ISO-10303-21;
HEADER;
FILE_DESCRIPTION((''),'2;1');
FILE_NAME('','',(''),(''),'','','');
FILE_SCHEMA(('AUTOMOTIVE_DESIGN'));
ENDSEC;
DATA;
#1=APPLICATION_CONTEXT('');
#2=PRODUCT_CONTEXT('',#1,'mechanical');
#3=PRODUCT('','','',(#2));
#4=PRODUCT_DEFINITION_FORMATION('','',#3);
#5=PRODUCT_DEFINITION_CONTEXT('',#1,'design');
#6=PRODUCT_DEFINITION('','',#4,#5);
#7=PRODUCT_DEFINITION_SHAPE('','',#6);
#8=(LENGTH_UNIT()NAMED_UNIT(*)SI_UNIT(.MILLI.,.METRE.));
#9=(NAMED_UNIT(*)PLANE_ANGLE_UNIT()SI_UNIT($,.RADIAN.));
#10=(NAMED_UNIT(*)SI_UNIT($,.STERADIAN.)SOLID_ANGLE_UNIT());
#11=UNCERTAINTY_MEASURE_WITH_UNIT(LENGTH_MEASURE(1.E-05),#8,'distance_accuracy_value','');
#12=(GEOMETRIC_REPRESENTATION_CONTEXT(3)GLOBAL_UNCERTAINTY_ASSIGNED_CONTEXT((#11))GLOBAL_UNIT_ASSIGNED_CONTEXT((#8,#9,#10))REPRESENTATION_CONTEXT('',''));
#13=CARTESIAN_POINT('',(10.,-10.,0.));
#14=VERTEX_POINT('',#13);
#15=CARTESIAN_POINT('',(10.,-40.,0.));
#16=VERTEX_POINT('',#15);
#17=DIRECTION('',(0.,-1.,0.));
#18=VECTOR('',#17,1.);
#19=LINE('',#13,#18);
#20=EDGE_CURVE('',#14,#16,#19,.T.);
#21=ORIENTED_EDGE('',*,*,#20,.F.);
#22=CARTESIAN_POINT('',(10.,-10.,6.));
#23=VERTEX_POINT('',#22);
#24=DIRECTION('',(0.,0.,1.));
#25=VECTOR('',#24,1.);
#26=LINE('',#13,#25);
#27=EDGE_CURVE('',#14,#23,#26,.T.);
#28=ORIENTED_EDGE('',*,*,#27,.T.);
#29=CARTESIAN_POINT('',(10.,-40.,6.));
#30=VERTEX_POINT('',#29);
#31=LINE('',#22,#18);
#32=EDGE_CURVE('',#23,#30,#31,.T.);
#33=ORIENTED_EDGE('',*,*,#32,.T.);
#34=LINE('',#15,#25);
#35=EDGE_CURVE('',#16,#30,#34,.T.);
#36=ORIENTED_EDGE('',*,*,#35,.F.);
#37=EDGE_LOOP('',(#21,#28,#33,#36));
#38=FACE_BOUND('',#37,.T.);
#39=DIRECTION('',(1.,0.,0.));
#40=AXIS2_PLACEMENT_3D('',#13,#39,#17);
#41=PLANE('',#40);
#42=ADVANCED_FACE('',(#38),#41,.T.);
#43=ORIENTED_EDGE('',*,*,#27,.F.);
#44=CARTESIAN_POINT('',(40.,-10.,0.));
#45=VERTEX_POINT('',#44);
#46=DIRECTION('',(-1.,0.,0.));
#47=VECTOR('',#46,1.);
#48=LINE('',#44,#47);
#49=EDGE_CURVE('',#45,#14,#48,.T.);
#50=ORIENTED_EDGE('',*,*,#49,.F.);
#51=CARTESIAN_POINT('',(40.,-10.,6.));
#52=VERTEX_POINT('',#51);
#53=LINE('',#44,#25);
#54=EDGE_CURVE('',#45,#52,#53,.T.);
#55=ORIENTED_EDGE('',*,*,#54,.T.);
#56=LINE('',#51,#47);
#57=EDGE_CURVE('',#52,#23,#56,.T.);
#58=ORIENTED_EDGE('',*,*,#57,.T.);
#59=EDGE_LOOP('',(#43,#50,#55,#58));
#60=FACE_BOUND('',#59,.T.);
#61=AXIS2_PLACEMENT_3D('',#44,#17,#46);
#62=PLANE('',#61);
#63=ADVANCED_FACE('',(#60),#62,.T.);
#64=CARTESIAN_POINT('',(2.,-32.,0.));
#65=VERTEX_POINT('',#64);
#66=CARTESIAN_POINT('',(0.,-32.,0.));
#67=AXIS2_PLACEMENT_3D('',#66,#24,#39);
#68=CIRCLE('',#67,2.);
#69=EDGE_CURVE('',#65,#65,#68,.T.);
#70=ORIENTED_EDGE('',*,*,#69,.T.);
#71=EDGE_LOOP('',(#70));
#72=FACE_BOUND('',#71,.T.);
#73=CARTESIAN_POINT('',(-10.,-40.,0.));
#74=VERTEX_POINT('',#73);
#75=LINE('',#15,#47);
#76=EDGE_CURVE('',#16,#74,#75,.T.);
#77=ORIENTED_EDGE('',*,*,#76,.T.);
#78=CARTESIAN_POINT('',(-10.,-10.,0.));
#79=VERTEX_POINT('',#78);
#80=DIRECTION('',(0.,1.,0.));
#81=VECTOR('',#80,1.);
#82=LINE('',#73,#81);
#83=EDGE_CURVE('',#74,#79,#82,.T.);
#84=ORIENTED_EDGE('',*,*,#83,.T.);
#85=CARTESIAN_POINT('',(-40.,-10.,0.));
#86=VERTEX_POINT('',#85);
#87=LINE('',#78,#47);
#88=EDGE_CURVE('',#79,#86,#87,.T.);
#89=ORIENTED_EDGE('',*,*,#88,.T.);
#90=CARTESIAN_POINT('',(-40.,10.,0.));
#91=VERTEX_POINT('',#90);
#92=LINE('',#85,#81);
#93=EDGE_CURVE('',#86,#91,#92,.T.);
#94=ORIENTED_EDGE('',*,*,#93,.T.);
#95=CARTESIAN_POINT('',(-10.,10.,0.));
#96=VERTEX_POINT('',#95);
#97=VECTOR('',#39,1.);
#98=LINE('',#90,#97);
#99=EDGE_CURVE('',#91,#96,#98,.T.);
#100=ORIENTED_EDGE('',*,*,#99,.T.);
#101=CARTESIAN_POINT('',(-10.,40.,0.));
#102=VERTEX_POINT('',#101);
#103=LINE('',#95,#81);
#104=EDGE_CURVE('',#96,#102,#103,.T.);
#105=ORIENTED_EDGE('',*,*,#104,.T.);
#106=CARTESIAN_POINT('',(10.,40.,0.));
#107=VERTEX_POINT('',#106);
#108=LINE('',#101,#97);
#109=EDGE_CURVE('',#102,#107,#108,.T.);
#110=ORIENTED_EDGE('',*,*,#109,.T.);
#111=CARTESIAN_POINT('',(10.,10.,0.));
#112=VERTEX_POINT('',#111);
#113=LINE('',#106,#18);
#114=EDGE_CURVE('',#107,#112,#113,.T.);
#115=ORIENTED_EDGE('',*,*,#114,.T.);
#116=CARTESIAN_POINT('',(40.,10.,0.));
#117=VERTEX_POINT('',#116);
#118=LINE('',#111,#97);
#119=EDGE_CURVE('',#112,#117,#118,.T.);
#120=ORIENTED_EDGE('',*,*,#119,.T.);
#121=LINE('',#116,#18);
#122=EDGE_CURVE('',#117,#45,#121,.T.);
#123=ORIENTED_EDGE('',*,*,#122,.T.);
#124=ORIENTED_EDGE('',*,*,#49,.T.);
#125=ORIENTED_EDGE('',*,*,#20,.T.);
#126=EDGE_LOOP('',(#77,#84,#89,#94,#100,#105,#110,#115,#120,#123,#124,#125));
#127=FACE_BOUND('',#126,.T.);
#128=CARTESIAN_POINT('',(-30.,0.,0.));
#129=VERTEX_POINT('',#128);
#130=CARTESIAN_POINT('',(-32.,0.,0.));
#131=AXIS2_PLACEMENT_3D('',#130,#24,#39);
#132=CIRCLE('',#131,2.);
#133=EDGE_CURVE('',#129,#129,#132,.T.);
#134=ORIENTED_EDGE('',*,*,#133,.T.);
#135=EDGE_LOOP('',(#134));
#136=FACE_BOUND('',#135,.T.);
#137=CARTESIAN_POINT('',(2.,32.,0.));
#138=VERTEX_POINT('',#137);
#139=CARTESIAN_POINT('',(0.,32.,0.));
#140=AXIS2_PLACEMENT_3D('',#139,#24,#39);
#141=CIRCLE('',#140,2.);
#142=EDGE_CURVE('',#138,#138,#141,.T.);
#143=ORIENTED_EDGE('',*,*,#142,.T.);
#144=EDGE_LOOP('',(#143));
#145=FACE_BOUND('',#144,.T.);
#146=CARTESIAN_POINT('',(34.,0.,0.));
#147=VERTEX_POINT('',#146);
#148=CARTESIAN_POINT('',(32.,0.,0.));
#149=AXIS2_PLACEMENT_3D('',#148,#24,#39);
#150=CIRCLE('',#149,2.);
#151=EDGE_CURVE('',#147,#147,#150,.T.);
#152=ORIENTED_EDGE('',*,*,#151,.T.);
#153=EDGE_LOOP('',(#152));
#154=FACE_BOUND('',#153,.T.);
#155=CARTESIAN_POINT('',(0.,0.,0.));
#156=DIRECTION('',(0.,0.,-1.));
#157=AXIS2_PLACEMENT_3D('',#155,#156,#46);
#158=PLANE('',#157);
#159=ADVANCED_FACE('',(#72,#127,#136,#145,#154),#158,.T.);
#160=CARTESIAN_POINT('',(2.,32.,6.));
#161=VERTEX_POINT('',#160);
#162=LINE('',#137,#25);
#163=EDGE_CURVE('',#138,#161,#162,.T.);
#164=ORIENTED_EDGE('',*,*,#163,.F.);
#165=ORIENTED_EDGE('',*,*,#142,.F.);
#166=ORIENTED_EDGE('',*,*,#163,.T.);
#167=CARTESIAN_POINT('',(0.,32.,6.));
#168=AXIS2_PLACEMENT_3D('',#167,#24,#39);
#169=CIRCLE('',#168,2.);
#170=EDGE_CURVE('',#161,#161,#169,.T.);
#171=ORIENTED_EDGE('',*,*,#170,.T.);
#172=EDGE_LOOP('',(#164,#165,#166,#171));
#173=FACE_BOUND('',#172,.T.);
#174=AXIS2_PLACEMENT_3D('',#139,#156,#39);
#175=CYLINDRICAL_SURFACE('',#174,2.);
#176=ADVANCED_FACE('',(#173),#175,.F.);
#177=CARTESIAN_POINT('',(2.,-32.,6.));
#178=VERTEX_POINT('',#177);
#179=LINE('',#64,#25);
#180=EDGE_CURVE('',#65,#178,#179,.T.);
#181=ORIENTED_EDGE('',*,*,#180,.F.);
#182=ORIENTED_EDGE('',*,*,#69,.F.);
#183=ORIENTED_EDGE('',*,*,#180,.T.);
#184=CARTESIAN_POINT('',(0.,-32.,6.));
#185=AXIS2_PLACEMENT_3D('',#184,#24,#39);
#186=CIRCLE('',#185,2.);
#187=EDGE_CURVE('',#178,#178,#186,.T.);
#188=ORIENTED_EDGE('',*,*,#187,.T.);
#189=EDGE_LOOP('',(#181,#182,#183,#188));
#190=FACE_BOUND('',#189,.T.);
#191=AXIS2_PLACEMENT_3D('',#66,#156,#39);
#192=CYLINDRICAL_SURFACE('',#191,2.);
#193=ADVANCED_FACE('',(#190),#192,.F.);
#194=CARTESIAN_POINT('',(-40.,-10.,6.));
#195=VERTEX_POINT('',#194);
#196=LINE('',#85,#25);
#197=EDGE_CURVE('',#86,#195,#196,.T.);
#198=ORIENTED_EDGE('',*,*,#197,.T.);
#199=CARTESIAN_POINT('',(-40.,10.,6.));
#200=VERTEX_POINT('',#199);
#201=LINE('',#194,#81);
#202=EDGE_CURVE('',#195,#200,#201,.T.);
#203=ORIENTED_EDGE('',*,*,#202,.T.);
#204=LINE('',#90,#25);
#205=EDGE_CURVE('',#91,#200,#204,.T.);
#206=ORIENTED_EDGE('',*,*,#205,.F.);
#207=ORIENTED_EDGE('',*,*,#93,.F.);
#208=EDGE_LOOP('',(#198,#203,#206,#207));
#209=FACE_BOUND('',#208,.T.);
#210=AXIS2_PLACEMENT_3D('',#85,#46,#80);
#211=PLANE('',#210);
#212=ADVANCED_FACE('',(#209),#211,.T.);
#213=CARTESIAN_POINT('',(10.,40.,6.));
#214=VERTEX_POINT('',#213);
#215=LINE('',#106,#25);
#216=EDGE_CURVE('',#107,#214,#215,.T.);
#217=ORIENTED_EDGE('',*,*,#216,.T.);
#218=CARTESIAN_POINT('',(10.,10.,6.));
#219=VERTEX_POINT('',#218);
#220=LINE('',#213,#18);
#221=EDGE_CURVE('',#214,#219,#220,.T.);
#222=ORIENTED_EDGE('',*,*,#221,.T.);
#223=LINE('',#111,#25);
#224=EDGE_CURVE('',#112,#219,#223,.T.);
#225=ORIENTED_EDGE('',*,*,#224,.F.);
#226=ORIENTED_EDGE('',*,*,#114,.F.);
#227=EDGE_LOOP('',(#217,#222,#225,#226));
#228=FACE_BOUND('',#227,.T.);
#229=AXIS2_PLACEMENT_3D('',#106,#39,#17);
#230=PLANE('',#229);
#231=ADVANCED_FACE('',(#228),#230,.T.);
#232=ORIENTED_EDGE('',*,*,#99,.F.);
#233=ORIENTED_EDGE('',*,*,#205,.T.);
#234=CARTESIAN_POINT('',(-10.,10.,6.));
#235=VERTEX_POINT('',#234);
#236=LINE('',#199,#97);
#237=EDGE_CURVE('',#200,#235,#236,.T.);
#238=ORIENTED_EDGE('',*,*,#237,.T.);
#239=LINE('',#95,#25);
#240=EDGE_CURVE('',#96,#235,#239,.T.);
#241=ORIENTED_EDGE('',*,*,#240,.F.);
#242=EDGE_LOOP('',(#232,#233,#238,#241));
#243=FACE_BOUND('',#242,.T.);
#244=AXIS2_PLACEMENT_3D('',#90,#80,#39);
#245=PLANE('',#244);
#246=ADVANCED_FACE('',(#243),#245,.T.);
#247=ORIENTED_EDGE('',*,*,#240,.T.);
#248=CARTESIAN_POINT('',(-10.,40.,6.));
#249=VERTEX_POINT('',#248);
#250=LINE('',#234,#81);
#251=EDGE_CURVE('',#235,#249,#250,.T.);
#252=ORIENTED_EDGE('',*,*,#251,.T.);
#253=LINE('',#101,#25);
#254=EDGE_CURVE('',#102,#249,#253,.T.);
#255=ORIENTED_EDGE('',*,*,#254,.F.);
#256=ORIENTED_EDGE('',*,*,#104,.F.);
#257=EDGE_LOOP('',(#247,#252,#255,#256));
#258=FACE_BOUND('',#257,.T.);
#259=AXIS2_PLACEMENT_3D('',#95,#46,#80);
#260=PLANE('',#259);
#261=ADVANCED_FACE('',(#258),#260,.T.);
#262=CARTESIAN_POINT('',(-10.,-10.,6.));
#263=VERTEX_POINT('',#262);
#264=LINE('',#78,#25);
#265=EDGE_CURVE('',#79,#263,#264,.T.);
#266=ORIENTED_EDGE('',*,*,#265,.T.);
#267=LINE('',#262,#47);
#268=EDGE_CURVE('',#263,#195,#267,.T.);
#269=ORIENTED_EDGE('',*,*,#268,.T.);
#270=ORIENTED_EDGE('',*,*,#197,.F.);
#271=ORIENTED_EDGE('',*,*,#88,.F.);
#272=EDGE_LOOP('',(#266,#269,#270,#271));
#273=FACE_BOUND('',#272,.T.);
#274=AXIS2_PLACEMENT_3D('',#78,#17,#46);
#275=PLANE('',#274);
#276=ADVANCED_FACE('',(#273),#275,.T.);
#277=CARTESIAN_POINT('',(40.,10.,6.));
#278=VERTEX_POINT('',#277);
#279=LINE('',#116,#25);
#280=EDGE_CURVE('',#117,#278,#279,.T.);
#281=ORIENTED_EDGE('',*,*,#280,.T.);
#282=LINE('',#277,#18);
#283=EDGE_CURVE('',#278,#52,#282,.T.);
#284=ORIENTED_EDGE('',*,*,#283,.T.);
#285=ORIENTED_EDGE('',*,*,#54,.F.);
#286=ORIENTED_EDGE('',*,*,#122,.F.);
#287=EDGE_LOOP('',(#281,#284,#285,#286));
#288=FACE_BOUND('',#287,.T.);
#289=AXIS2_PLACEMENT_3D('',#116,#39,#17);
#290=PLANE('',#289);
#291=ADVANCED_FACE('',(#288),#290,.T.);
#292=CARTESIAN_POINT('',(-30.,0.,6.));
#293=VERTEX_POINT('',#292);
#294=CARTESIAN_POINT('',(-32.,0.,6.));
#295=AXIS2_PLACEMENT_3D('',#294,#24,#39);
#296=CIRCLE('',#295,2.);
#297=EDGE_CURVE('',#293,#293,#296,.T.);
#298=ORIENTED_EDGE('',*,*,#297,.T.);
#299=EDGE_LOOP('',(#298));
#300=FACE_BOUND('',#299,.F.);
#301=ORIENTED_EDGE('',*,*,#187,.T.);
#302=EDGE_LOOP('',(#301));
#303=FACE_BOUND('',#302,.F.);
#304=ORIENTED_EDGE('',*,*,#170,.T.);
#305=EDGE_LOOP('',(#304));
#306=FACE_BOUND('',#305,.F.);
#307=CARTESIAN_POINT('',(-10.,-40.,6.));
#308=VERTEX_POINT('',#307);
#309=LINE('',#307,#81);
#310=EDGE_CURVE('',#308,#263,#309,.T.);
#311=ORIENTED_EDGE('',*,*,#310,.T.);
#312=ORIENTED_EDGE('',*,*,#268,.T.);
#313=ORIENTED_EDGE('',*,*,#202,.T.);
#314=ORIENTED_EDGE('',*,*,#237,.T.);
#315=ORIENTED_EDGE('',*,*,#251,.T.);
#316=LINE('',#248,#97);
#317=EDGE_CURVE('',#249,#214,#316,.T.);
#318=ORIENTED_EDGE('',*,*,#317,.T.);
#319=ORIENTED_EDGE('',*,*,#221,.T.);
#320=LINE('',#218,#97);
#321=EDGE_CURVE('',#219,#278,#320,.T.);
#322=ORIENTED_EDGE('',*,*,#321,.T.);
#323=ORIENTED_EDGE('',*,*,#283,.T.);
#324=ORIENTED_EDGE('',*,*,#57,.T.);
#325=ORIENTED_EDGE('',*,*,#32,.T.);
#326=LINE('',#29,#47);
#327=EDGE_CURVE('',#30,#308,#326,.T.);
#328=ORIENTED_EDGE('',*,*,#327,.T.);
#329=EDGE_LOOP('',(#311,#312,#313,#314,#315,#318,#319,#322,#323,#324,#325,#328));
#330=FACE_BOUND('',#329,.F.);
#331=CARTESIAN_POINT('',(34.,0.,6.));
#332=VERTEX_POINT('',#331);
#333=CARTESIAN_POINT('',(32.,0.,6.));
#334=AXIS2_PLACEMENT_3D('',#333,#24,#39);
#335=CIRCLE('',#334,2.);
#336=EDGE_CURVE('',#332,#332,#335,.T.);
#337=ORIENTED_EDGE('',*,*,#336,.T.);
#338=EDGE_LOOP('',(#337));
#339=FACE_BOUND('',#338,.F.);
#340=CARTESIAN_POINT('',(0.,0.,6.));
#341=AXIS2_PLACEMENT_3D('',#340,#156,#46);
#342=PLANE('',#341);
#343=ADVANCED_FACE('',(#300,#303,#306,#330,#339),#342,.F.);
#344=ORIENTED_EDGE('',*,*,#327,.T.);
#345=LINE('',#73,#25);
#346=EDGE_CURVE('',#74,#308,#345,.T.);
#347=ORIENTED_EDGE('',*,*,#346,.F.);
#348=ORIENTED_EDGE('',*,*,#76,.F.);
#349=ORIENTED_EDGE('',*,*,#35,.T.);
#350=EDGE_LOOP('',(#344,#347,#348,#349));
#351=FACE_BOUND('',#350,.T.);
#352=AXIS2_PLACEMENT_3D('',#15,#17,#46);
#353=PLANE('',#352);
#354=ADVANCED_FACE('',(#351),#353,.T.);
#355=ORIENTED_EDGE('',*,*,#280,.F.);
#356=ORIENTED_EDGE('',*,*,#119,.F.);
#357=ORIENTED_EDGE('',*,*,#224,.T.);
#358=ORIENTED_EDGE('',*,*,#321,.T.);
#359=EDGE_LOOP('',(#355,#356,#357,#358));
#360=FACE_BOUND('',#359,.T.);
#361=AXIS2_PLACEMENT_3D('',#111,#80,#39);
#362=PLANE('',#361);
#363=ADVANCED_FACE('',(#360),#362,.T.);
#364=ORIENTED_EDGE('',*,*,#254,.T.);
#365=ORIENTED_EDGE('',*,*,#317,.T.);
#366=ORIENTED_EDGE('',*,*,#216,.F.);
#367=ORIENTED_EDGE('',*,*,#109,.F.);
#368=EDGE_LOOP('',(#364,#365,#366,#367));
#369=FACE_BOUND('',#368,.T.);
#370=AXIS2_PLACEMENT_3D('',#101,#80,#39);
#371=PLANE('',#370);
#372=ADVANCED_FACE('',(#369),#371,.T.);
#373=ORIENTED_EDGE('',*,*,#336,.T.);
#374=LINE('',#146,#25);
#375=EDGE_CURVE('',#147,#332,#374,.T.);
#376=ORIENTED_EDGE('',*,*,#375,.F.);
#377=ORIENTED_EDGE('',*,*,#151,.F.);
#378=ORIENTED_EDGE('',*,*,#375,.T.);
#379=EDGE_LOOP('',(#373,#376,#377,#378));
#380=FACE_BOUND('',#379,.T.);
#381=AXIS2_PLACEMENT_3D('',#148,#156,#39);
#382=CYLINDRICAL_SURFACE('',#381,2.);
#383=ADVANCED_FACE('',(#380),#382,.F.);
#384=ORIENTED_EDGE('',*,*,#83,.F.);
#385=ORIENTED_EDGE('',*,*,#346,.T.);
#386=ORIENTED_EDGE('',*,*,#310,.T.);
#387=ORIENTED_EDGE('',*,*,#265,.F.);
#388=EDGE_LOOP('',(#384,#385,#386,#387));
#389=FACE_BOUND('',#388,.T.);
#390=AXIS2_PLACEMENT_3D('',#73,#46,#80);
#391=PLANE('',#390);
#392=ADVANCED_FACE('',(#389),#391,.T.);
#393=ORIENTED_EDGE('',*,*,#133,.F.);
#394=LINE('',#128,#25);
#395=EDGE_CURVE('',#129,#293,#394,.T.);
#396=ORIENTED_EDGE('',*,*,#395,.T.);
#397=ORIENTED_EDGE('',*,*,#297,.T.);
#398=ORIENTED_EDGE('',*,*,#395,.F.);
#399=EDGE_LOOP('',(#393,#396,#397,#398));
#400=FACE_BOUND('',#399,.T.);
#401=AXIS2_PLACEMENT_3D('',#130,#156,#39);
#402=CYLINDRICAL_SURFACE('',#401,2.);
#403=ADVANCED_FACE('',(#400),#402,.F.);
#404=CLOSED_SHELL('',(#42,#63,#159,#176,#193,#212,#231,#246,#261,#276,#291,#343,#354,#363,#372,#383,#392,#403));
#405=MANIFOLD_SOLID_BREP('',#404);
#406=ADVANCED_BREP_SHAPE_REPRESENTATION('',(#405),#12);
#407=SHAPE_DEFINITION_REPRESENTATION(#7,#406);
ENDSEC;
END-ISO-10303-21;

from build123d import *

# Parameters (mm, degrees)
SKETCH_R  = 2
PAD_DEPTH = 6


with BuildPart() as part:
    # Sketch → Pad (new body)
    with BuildSketch(Plane.XY):
        Polygon((-10, 40), (10, 40), (10, 10), (40, 10), (40, -10), (10, -10), (10, -40), (-10, -40), (-10, -10), (-40, -10), (-40, 10), (-10, 10), align=None)
        with Locations((-32, 0)):
            Circle(SKETCH_R, mode=Mode.SUBTRACT)
        with Locations((0, 32)):
            Circle(SKETCH_R, mode=Mode.SUBTRACT)
        with Locations((32, 0)):
            Circle(SKETCH_R, mode=Mode.SUBTRACT)
        with Locations((0, -32)):
            Circle(SKETCH_R, mode=Mode.SUBTRACT)
    extrude(amount=PAD_DEPTH)


solid = part.part
